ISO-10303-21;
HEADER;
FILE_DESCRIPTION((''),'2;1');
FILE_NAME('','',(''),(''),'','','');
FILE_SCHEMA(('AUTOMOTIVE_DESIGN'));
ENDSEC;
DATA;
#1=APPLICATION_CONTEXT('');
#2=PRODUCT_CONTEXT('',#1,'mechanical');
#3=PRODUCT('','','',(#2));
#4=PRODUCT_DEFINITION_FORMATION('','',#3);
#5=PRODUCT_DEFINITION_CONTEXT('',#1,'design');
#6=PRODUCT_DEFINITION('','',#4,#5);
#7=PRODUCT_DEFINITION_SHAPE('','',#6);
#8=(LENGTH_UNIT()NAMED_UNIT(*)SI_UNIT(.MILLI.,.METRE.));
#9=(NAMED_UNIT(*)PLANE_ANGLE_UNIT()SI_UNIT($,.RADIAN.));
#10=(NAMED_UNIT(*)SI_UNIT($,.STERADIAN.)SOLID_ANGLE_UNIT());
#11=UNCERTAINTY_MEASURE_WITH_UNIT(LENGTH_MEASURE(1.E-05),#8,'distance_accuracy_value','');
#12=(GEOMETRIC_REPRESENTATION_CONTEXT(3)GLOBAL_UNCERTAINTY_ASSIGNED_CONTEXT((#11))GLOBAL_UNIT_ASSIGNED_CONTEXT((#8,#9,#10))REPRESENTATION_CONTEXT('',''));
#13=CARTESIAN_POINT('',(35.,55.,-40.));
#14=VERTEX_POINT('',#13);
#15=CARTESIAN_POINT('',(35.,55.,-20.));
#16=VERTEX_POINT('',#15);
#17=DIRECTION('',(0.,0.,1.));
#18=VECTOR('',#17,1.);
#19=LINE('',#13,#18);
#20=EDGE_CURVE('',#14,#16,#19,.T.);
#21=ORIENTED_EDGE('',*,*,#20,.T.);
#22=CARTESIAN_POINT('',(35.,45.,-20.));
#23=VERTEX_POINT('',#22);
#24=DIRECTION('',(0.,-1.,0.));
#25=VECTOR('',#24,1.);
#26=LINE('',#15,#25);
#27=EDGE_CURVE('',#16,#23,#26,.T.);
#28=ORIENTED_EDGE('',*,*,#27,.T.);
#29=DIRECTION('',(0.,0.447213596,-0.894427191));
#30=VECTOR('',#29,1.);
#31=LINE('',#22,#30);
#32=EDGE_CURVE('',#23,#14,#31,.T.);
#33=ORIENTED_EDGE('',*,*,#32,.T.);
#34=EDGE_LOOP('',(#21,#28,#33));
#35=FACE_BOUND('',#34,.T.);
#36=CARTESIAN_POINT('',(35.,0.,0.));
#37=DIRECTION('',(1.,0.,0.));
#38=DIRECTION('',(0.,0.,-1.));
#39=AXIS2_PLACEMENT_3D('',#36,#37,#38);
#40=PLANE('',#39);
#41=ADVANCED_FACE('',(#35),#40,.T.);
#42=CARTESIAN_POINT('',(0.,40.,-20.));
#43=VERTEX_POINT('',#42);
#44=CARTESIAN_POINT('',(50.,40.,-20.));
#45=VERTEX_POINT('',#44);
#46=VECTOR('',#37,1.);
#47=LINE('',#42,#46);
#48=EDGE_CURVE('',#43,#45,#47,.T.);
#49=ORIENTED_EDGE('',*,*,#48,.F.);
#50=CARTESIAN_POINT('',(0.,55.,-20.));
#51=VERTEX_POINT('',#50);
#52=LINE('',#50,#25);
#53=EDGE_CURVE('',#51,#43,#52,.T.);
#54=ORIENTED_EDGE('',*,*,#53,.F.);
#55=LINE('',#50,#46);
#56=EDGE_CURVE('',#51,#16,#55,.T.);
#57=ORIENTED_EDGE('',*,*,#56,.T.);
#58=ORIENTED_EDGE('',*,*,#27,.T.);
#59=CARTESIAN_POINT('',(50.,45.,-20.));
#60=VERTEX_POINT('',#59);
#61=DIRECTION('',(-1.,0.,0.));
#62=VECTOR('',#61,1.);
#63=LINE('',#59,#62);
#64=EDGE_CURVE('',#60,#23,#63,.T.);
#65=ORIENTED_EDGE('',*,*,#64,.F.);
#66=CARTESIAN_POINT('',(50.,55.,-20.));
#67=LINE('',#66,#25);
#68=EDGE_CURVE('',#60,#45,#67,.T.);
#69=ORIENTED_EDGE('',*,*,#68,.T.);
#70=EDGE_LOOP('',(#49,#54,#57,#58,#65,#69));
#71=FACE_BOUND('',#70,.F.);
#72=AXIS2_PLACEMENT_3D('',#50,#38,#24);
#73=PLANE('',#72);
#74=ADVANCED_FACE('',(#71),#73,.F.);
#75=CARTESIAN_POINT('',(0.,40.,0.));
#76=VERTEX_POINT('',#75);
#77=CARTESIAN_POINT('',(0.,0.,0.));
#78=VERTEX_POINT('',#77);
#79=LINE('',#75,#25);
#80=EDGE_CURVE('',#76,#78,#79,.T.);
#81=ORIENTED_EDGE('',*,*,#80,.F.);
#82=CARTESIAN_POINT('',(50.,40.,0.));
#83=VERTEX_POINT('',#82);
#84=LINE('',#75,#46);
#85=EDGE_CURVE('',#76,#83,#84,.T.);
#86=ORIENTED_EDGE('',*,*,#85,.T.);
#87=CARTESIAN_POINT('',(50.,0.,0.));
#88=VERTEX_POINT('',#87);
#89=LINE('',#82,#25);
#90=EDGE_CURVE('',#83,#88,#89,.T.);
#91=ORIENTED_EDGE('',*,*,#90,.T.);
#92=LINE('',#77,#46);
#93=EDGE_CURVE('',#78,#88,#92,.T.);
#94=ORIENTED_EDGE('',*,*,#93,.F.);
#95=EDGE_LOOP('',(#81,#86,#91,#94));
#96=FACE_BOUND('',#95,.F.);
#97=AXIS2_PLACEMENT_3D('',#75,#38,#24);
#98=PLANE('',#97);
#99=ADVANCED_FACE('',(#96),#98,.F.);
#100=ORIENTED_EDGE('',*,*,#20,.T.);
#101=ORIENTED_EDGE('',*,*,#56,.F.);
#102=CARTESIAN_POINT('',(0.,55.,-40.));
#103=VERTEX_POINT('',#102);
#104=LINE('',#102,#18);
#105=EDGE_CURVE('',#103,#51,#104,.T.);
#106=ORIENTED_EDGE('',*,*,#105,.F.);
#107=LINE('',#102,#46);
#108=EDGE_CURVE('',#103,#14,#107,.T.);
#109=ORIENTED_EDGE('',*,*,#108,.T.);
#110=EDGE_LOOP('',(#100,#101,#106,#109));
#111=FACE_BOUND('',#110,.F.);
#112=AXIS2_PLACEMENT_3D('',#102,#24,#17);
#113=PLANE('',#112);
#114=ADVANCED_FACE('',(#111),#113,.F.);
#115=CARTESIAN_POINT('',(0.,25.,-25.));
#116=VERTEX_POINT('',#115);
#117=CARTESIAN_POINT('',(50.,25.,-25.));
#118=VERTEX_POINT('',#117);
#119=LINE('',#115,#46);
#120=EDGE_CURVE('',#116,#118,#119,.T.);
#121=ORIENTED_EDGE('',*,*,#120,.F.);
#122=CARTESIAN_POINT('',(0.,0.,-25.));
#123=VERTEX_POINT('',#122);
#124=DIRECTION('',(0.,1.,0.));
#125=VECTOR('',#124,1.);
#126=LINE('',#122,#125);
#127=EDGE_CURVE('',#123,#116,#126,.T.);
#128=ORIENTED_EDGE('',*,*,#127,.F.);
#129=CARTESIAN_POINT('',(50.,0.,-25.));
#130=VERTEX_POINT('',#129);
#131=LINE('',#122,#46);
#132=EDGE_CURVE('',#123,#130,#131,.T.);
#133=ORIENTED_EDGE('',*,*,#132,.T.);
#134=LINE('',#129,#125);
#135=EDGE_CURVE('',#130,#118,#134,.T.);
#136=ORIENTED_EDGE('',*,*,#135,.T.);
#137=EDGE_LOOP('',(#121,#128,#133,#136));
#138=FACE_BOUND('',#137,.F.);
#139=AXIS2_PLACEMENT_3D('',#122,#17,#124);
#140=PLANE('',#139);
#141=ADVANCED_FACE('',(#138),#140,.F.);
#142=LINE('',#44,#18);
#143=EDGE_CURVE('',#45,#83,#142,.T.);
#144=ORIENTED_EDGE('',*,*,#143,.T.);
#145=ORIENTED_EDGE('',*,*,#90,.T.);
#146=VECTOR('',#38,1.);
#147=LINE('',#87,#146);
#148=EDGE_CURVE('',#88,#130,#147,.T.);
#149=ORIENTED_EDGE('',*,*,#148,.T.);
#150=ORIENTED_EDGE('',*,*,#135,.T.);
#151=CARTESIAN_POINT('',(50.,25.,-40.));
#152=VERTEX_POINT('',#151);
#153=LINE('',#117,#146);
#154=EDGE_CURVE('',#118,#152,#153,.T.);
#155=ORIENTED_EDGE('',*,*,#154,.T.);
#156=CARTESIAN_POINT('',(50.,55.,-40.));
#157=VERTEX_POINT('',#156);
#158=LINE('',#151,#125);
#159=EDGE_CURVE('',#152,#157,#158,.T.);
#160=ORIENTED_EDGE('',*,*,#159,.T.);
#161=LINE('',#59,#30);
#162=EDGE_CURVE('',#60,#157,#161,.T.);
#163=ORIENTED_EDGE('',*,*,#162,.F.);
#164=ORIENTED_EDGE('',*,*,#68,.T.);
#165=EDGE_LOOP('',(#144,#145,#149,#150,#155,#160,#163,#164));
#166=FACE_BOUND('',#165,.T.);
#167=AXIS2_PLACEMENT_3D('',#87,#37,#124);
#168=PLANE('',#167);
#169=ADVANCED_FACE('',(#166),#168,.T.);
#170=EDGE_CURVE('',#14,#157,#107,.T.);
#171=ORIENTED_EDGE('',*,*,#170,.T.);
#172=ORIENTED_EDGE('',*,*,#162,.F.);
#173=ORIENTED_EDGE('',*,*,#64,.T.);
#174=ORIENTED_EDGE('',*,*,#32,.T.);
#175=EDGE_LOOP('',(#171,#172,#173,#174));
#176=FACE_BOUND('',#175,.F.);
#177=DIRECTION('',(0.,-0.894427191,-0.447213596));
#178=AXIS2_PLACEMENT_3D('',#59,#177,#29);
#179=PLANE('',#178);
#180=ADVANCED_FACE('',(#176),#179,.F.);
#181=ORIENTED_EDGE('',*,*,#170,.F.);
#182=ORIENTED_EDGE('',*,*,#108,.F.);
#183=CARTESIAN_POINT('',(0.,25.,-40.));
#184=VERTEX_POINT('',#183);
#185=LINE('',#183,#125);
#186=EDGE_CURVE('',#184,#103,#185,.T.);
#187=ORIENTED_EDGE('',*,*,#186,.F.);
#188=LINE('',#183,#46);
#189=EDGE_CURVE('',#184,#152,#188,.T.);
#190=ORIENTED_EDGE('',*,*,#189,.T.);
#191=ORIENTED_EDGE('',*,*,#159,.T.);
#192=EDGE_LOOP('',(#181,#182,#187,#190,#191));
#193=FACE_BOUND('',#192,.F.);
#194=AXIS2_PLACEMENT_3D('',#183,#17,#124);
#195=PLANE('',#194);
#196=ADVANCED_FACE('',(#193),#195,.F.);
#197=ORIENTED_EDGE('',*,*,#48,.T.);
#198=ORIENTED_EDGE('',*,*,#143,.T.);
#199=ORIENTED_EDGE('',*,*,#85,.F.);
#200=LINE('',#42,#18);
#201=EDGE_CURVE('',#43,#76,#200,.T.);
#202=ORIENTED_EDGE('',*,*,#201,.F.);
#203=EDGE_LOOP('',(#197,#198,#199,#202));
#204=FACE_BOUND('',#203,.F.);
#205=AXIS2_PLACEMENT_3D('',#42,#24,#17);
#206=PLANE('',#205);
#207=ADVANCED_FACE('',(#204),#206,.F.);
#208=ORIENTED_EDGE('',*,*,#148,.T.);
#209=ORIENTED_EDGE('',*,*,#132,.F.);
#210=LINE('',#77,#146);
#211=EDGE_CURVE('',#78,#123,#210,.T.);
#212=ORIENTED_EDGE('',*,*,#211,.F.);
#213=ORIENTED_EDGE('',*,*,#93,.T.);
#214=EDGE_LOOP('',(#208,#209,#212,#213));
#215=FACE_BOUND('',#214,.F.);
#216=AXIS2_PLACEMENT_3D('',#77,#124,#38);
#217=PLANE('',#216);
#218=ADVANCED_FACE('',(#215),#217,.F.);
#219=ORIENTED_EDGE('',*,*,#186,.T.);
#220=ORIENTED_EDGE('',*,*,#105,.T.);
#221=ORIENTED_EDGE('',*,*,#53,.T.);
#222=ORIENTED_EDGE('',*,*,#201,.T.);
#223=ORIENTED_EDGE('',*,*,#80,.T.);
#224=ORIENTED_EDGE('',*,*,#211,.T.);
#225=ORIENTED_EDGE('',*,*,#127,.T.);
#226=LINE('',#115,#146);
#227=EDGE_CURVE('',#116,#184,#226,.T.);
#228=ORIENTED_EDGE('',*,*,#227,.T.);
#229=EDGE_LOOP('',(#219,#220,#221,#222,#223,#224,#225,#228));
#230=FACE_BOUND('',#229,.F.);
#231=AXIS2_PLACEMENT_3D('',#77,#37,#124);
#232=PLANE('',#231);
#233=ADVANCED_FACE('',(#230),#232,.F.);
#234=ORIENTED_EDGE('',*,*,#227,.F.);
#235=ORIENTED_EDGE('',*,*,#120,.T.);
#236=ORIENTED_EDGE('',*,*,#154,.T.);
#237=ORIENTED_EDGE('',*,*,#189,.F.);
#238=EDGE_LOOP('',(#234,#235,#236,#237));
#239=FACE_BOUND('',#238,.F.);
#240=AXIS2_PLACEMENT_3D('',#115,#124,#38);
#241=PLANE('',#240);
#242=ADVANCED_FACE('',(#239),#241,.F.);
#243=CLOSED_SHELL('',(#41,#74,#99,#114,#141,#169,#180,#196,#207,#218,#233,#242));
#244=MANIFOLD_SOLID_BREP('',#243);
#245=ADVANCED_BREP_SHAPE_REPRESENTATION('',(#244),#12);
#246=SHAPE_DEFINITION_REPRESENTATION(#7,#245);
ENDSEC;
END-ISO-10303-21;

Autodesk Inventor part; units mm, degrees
ref_plane "YZ Plane" through (0, 0, 0) normal (1, 0, 0) x (0, 1, 0)
ref_plane "XZ Plane" through (0, 0, 0) normal (0, 1, 0) x (-1, 0, 0)
ref_plane "XY Plane" through (0, 0, 0) normal (0, 0, 1) x (1, 0, 0)
sketch "Náčrt1" plane through (0, 0, 0) normal (1, 0, 0) x (0, 1, 0)
  line L0 (0, 0) -> (0, -25)
  line L1 (0, -25) -> (25, -25)
  line L2 (25, -25) -> (25, -40)
  line L3 (25, -40) -> (55, -40)
  line L4 (55, -40) -> (55, -20)
  line L5 (55, -20) -> (40, -20)
  line L6 (40, -20) -> (40, 0)
  line L7 (40, 0) -> (0, 0)
  dimension "d0" = 25
  dimension "d1" = 25
  dimension "d2" = 15
  dimension "d3" = 30
  dimension "d4" = 20
  dimension "d5" = 15
  dimension "d6" = 20
extrude "Vysunutí1" add sketch "Náčrt1" along normal blind 50
sketch "Náčrt2" plane through (50, 0, 0) normal (1, 0, 0) x (0, 0, -1)
  line L0 (20, 55) -> (20, 40) projected
  line L1 (40, 55) -> (20, 55) projected
  line L2 (20, 45) -> (40, 55)
  line L3 (40, 25) -> (40, 55) projected
  line L4 (40, 55) -> (20, 55)
  point P0 (0, 0)
extrude "Vysunutí2" cut sketch "Náčrt2" against normal blind 15
properties part number "4"
